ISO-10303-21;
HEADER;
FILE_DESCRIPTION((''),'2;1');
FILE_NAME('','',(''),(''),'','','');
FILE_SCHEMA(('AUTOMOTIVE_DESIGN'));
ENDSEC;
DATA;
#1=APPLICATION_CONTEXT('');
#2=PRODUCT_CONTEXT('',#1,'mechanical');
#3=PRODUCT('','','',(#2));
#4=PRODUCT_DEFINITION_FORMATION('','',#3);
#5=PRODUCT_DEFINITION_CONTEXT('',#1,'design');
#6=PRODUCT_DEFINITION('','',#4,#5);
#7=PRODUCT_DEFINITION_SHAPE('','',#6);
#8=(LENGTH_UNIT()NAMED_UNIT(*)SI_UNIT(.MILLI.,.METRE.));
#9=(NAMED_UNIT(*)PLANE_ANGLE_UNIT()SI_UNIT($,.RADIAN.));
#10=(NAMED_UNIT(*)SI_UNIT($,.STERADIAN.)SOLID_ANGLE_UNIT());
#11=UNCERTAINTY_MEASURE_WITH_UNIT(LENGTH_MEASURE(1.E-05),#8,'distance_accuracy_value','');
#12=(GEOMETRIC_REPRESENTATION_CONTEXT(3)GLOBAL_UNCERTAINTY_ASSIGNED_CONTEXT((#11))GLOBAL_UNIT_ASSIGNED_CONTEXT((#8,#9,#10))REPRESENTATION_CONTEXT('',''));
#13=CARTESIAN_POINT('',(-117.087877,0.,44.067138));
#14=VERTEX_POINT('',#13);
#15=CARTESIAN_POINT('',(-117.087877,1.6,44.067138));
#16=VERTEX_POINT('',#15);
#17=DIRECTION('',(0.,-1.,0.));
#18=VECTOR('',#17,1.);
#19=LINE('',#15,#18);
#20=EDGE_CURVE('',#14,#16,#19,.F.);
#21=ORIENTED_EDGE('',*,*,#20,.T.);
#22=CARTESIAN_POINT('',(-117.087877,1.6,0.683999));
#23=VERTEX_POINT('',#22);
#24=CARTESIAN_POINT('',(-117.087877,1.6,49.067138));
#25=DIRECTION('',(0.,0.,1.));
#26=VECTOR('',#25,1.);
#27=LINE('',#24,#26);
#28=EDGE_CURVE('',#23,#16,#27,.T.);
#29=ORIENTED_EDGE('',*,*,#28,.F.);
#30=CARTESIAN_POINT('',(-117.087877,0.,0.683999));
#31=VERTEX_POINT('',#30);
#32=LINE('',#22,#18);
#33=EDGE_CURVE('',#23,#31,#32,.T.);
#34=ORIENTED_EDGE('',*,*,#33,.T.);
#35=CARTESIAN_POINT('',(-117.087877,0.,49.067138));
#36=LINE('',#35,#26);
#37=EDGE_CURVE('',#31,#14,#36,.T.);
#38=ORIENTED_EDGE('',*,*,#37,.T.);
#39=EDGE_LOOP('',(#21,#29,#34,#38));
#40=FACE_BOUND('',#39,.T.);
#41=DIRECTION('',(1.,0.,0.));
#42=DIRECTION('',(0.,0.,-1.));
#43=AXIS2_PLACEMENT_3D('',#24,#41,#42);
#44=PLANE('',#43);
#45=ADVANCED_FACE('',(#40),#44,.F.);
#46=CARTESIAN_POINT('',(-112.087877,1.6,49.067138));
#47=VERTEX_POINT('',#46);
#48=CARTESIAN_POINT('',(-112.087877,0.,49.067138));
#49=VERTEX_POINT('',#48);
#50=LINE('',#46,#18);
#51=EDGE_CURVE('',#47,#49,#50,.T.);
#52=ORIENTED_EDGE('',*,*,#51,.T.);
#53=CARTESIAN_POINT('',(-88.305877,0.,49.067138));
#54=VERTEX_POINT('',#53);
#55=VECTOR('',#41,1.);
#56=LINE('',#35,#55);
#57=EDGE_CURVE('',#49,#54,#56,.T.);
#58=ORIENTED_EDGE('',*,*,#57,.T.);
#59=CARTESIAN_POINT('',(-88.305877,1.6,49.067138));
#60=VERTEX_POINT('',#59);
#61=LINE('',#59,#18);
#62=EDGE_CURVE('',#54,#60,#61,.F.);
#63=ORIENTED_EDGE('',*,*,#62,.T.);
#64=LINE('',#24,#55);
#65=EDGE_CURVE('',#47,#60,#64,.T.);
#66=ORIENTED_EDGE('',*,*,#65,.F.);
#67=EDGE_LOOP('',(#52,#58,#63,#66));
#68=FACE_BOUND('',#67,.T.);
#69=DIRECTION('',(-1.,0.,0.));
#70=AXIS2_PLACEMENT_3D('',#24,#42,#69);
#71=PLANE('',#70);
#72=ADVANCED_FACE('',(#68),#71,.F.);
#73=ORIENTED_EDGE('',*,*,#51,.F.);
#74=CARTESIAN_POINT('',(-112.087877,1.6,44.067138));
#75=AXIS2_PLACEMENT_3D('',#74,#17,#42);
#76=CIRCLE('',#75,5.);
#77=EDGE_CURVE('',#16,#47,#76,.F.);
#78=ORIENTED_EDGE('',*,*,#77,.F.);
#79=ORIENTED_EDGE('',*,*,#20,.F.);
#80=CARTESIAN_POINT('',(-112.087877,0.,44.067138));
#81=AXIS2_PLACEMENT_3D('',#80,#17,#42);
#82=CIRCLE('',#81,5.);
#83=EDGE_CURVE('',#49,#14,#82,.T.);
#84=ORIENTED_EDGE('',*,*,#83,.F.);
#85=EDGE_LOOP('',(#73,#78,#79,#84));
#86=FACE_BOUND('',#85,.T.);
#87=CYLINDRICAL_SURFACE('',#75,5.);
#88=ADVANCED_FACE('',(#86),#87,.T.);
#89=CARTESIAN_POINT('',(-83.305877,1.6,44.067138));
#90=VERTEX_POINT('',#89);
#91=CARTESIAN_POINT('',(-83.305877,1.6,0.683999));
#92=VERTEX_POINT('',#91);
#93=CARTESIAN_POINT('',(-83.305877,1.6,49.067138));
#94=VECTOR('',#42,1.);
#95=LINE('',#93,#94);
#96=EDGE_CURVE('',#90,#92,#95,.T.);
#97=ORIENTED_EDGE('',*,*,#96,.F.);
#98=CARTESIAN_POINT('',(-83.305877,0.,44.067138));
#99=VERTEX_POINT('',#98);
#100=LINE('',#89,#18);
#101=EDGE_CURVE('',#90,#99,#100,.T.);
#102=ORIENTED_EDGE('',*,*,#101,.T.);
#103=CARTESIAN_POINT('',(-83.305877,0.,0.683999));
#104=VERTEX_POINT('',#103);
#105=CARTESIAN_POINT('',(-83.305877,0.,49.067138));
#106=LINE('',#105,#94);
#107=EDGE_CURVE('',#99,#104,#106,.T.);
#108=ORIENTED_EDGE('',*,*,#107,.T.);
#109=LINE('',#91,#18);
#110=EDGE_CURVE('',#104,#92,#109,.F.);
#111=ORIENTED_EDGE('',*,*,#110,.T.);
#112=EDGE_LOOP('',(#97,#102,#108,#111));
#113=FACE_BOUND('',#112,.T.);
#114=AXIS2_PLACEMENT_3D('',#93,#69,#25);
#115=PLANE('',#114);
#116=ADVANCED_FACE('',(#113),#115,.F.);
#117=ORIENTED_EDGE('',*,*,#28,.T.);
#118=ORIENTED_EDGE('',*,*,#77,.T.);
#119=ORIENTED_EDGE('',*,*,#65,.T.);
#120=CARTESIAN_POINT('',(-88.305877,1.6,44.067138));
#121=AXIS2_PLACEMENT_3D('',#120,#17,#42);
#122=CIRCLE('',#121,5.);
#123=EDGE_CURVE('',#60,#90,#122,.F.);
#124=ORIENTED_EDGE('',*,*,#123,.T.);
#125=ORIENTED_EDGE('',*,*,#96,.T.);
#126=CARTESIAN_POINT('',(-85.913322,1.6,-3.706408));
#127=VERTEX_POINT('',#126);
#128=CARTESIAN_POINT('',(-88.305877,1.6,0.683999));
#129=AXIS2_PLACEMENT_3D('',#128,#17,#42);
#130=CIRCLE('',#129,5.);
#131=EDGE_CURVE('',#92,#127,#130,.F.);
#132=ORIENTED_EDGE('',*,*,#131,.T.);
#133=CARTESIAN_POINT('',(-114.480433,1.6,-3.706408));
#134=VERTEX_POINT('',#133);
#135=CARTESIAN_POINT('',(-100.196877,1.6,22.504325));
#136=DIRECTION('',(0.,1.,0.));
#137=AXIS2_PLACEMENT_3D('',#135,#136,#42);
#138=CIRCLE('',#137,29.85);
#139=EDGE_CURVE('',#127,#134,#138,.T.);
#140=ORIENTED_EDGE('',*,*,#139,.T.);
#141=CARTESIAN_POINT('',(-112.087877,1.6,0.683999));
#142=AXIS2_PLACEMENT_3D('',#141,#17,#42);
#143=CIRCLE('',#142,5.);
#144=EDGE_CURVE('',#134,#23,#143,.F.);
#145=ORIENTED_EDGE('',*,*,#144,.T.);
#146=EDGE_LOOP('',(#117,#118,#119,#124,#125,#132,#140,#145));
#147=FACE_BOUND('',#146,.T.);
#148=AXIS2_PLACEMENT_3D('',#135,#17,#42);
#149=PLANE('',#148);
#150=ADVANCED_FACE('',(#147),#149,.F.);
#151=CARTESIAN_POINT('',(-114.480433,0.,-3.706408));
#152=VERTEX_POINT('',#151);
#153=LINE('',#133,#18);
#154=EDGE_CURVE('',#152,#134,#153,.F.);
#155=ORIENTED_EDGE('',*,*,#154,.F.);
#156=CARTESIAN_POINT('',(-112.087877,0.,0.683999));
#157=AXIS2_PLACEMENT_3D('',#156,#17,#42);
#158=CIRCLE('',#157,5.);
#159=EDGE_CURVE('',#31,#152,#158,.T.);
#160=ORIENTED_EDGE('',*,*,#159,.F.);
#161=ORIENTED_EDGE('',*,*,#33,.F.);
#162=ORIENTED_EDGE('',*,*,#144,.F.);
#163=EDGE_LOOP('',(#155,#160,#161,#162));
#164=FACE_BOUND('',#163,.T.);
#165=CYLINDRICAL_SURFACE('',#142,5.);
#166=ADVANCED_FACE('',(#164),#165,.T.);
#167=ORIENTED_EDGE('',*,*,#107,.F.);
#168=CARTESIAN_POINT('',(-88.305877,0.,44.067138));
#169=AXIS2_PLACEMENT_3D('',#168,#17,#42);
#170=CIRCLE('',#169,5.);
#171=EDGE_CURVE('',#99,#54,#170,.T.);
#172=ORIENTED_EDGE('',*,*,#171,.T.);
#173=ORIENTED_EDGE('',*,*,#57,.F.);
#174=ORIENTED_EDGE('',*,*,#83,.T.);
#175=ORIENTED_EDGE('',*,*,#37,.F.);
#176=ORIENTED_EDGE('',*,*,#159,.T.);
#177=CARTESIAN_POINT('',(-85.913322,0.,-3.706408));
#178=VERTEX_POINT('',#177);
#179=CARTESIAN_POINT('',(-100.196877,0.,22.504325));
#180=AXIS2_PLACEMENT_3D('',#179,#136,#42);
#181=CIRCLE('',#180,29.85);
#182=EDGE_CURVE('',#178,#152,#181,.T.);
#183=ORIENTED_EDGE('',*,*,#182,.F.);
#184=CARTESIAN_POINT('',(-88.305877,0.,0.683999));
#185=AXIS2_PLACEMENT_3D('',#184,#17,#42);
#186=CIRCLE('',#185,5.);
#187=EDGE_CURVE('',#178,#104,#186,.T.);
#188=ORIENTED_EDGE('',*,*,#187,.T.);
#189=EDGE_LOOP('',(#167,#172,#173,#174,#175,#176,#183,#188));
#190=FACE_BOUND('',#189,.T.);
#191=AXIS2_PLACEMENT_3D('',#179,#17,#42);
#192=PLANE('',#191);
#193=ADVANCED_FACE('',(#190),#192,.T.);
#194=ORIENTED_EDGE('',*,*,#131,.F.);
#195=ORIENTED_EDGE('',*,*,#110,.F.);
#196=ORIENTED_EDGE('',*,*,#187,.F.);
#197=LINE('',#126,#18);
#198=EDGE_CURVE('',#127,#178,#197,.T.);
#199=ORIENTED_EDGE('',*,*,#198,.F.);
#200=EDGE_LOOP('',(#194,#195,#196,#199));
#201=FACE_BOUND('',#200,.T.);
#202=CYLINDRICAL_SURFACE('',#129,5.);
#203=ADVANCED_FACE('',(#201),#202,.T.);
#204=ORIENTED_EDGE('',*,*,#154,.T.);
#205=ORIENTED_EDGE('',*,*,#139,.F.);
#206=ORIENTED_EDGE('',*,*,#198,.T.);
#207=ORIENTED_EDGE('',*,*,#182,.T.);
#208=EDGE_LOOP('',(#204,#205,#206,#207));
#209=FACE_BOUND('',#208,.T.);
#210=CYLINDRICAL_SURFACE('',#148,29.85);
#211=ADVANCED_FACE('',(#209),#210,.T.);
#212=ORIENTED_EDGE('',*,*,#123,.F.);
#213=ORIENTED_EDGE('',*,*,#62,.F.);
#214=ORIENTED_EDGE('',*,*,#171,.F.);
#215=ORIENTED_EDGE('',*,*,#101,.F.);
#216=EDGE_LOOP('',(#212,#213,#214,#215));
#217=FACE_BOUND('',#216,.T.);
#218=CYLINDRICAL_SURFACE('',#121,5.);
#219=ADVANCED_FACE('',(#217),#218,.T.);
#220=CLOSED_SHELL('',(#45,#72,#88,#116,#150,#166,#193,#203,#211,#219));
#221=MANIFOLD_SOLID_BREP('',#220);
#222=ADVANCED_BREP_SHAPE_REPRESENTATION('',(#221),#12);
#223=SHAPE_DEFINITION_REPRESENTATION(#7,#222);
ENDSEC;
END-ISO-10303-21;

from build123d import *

# Parameters (mm, degrees)
BOSS_EXTRUDE1_DEPTH = 1.6
FILLET1_R           = 5


with BuildPart() as part:
    # Sketch2 → Boss-Extrude1 (new body)
    with BuildSketch(Plane(origin=(0, 0, 0), x_dir=(1, 0, 0), z_dir=(0, 1, 0))):
        with BuildLine():
            Line((-83.305877437, -49.06713814), (-83.305877437, 2.106985575))
            ThreePointArc((-83.305877437, 2.106985575), (-100.196877437, 7.345674781), (-117.087877437, 2.106985575))
            Line((-117.087877437, 2.106985575), (-117.087877437, -49.06713814))
            Line((-117.087877437, -49.06713814), (-83.305877437, -49.06713814))
        make_face()
    extrude(amount=BOSS_EXTRUDE1_DEPTH)

    # Fillet1
    fillet1_edges = [part.edges().sort_by_distance(p)[0] for p in [
        (-83.305877437, 0.8, -2.106985575),
        (-83.305877437, 0.8, 49.06713814),
        (-117.087877437, 0.8, 49.06713814),
        (-117.087877437, 0.8, -2.106985575),
    ]]
    fillet(fillet1_edges, radius=FILLET1_R)


solid = part.part
